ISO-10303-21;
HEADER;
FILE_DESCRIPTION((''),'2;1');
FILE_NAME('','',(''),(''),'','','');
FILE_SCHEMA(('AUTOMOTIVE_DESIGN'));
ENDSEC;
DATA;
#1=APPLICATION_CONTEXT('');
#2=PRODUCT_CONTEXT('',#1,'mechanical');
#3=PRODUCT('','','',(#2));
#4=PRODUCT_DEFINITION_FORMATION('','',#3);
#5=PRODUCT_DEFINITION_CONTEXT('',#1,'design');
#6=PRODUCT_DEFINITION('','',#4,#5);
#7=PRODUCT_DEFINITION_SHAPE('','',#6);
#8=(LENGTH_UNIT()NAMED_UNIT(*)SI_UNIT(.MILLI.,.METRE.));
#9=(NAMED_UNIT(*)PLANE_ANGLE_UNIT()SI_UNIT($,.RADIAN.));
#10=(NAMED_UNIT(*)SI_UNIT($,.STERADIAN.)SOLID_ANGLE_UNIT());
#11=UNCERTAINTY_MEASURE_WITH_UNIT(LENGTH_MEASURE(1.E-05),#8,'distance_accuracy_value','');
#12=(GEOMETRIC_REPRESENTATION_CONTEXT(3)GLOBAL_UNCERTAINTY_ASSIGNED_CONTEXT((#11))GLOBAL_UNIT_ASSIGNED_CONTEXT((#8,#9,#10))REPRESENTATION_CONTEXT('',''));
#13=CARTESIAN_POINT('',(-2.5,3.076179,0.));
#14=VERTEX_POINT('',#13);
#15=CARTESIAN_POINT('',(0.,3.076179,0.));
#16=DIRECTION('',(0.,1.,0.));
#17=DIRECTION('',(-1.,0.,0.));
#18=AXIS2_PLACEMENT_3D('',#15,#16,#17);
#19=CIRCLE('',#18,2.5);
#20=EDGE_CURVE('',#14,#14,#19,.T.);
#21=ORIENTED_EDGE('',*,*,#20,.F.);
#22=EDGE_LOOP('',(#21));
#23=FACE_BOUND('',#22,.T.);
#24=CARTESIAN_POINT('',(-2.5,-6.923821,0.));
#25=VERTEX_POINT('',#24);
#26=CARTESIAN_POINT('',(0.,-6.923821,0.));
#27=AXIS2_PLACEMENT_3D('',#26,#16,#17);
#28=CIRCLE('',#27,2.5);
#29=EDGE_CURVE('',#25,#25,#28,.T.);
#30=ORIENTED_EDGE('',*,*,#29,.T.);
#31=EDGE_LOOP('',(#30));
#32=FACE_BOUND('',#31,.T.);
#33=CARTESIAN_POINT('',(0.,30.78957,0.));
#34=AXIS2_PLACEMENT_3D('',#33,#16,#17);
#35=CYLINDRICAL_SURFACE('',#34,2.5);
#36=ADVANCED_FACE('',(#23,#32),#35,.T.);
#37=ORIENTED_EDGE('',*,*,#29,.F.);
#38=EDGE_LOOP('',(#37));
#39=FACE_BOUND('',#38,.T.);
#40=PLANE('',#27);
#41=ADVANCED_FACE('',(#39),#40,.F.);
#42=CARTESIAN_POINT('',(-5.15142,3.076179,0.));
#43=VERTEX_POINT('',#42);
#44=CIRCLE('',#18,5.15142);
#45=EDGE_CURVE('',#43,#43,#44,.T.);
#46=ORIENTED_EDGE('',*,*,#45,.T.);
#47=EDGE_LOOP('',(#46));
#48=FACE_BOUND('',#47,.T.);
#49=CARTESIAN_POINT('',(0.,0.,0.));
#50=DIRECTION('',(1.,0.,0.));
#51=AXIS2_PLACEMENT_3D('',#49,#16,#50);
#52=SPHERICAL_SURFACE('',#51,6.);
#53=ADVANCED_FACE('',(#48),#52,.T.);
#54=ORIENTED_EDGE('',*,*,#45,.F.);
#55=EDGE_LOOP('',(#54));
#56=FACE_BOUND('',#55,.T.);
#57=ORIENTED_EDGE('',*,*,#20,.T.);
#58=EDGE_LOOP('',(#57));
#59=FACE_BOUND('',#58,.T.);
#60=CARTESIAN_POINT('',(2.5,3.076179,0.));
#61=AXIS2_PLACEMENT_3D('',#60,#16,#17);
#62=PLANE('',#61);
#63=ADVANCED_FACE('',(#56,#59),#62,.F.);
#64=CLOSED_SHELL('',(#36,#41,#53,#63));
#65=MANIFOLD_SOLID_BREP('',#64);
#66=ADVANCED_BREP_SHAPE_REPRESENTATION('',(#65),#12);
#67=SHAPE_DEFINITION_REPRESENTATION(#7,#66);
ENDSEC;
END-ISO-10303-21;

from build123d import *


with BuildPart() as part:
    # Schizzo1 → Rivoluzione1 (revolve)
    with BuildSketch(Plane.XY, mode=Mode.PRIVATE) as rivoluzione1_sk:
        with BuildLine():
            Line((0, -6.923821102), (2.5, -6.923821102))
            Line((2.5, -6.923821102), (2.5, 3.076178898))
            Line((2.5, 3.076178898), (5.151419551, 3.076178898))
            ThreePointArc((5.151419551, 3.076178898), (2.96166563, 5.218097038), (0, 6))
            Line((0, 6), (0, -6.923821102))
        make_face()
    revolve(rivoluzione1_sk.sketch.rotate(Axis((0, 30.789570349, 0), (0, -1, 0)), 180), axis=Axis((0, 30.789570349, 0), (0, -1, 0)))


solid = part.part
